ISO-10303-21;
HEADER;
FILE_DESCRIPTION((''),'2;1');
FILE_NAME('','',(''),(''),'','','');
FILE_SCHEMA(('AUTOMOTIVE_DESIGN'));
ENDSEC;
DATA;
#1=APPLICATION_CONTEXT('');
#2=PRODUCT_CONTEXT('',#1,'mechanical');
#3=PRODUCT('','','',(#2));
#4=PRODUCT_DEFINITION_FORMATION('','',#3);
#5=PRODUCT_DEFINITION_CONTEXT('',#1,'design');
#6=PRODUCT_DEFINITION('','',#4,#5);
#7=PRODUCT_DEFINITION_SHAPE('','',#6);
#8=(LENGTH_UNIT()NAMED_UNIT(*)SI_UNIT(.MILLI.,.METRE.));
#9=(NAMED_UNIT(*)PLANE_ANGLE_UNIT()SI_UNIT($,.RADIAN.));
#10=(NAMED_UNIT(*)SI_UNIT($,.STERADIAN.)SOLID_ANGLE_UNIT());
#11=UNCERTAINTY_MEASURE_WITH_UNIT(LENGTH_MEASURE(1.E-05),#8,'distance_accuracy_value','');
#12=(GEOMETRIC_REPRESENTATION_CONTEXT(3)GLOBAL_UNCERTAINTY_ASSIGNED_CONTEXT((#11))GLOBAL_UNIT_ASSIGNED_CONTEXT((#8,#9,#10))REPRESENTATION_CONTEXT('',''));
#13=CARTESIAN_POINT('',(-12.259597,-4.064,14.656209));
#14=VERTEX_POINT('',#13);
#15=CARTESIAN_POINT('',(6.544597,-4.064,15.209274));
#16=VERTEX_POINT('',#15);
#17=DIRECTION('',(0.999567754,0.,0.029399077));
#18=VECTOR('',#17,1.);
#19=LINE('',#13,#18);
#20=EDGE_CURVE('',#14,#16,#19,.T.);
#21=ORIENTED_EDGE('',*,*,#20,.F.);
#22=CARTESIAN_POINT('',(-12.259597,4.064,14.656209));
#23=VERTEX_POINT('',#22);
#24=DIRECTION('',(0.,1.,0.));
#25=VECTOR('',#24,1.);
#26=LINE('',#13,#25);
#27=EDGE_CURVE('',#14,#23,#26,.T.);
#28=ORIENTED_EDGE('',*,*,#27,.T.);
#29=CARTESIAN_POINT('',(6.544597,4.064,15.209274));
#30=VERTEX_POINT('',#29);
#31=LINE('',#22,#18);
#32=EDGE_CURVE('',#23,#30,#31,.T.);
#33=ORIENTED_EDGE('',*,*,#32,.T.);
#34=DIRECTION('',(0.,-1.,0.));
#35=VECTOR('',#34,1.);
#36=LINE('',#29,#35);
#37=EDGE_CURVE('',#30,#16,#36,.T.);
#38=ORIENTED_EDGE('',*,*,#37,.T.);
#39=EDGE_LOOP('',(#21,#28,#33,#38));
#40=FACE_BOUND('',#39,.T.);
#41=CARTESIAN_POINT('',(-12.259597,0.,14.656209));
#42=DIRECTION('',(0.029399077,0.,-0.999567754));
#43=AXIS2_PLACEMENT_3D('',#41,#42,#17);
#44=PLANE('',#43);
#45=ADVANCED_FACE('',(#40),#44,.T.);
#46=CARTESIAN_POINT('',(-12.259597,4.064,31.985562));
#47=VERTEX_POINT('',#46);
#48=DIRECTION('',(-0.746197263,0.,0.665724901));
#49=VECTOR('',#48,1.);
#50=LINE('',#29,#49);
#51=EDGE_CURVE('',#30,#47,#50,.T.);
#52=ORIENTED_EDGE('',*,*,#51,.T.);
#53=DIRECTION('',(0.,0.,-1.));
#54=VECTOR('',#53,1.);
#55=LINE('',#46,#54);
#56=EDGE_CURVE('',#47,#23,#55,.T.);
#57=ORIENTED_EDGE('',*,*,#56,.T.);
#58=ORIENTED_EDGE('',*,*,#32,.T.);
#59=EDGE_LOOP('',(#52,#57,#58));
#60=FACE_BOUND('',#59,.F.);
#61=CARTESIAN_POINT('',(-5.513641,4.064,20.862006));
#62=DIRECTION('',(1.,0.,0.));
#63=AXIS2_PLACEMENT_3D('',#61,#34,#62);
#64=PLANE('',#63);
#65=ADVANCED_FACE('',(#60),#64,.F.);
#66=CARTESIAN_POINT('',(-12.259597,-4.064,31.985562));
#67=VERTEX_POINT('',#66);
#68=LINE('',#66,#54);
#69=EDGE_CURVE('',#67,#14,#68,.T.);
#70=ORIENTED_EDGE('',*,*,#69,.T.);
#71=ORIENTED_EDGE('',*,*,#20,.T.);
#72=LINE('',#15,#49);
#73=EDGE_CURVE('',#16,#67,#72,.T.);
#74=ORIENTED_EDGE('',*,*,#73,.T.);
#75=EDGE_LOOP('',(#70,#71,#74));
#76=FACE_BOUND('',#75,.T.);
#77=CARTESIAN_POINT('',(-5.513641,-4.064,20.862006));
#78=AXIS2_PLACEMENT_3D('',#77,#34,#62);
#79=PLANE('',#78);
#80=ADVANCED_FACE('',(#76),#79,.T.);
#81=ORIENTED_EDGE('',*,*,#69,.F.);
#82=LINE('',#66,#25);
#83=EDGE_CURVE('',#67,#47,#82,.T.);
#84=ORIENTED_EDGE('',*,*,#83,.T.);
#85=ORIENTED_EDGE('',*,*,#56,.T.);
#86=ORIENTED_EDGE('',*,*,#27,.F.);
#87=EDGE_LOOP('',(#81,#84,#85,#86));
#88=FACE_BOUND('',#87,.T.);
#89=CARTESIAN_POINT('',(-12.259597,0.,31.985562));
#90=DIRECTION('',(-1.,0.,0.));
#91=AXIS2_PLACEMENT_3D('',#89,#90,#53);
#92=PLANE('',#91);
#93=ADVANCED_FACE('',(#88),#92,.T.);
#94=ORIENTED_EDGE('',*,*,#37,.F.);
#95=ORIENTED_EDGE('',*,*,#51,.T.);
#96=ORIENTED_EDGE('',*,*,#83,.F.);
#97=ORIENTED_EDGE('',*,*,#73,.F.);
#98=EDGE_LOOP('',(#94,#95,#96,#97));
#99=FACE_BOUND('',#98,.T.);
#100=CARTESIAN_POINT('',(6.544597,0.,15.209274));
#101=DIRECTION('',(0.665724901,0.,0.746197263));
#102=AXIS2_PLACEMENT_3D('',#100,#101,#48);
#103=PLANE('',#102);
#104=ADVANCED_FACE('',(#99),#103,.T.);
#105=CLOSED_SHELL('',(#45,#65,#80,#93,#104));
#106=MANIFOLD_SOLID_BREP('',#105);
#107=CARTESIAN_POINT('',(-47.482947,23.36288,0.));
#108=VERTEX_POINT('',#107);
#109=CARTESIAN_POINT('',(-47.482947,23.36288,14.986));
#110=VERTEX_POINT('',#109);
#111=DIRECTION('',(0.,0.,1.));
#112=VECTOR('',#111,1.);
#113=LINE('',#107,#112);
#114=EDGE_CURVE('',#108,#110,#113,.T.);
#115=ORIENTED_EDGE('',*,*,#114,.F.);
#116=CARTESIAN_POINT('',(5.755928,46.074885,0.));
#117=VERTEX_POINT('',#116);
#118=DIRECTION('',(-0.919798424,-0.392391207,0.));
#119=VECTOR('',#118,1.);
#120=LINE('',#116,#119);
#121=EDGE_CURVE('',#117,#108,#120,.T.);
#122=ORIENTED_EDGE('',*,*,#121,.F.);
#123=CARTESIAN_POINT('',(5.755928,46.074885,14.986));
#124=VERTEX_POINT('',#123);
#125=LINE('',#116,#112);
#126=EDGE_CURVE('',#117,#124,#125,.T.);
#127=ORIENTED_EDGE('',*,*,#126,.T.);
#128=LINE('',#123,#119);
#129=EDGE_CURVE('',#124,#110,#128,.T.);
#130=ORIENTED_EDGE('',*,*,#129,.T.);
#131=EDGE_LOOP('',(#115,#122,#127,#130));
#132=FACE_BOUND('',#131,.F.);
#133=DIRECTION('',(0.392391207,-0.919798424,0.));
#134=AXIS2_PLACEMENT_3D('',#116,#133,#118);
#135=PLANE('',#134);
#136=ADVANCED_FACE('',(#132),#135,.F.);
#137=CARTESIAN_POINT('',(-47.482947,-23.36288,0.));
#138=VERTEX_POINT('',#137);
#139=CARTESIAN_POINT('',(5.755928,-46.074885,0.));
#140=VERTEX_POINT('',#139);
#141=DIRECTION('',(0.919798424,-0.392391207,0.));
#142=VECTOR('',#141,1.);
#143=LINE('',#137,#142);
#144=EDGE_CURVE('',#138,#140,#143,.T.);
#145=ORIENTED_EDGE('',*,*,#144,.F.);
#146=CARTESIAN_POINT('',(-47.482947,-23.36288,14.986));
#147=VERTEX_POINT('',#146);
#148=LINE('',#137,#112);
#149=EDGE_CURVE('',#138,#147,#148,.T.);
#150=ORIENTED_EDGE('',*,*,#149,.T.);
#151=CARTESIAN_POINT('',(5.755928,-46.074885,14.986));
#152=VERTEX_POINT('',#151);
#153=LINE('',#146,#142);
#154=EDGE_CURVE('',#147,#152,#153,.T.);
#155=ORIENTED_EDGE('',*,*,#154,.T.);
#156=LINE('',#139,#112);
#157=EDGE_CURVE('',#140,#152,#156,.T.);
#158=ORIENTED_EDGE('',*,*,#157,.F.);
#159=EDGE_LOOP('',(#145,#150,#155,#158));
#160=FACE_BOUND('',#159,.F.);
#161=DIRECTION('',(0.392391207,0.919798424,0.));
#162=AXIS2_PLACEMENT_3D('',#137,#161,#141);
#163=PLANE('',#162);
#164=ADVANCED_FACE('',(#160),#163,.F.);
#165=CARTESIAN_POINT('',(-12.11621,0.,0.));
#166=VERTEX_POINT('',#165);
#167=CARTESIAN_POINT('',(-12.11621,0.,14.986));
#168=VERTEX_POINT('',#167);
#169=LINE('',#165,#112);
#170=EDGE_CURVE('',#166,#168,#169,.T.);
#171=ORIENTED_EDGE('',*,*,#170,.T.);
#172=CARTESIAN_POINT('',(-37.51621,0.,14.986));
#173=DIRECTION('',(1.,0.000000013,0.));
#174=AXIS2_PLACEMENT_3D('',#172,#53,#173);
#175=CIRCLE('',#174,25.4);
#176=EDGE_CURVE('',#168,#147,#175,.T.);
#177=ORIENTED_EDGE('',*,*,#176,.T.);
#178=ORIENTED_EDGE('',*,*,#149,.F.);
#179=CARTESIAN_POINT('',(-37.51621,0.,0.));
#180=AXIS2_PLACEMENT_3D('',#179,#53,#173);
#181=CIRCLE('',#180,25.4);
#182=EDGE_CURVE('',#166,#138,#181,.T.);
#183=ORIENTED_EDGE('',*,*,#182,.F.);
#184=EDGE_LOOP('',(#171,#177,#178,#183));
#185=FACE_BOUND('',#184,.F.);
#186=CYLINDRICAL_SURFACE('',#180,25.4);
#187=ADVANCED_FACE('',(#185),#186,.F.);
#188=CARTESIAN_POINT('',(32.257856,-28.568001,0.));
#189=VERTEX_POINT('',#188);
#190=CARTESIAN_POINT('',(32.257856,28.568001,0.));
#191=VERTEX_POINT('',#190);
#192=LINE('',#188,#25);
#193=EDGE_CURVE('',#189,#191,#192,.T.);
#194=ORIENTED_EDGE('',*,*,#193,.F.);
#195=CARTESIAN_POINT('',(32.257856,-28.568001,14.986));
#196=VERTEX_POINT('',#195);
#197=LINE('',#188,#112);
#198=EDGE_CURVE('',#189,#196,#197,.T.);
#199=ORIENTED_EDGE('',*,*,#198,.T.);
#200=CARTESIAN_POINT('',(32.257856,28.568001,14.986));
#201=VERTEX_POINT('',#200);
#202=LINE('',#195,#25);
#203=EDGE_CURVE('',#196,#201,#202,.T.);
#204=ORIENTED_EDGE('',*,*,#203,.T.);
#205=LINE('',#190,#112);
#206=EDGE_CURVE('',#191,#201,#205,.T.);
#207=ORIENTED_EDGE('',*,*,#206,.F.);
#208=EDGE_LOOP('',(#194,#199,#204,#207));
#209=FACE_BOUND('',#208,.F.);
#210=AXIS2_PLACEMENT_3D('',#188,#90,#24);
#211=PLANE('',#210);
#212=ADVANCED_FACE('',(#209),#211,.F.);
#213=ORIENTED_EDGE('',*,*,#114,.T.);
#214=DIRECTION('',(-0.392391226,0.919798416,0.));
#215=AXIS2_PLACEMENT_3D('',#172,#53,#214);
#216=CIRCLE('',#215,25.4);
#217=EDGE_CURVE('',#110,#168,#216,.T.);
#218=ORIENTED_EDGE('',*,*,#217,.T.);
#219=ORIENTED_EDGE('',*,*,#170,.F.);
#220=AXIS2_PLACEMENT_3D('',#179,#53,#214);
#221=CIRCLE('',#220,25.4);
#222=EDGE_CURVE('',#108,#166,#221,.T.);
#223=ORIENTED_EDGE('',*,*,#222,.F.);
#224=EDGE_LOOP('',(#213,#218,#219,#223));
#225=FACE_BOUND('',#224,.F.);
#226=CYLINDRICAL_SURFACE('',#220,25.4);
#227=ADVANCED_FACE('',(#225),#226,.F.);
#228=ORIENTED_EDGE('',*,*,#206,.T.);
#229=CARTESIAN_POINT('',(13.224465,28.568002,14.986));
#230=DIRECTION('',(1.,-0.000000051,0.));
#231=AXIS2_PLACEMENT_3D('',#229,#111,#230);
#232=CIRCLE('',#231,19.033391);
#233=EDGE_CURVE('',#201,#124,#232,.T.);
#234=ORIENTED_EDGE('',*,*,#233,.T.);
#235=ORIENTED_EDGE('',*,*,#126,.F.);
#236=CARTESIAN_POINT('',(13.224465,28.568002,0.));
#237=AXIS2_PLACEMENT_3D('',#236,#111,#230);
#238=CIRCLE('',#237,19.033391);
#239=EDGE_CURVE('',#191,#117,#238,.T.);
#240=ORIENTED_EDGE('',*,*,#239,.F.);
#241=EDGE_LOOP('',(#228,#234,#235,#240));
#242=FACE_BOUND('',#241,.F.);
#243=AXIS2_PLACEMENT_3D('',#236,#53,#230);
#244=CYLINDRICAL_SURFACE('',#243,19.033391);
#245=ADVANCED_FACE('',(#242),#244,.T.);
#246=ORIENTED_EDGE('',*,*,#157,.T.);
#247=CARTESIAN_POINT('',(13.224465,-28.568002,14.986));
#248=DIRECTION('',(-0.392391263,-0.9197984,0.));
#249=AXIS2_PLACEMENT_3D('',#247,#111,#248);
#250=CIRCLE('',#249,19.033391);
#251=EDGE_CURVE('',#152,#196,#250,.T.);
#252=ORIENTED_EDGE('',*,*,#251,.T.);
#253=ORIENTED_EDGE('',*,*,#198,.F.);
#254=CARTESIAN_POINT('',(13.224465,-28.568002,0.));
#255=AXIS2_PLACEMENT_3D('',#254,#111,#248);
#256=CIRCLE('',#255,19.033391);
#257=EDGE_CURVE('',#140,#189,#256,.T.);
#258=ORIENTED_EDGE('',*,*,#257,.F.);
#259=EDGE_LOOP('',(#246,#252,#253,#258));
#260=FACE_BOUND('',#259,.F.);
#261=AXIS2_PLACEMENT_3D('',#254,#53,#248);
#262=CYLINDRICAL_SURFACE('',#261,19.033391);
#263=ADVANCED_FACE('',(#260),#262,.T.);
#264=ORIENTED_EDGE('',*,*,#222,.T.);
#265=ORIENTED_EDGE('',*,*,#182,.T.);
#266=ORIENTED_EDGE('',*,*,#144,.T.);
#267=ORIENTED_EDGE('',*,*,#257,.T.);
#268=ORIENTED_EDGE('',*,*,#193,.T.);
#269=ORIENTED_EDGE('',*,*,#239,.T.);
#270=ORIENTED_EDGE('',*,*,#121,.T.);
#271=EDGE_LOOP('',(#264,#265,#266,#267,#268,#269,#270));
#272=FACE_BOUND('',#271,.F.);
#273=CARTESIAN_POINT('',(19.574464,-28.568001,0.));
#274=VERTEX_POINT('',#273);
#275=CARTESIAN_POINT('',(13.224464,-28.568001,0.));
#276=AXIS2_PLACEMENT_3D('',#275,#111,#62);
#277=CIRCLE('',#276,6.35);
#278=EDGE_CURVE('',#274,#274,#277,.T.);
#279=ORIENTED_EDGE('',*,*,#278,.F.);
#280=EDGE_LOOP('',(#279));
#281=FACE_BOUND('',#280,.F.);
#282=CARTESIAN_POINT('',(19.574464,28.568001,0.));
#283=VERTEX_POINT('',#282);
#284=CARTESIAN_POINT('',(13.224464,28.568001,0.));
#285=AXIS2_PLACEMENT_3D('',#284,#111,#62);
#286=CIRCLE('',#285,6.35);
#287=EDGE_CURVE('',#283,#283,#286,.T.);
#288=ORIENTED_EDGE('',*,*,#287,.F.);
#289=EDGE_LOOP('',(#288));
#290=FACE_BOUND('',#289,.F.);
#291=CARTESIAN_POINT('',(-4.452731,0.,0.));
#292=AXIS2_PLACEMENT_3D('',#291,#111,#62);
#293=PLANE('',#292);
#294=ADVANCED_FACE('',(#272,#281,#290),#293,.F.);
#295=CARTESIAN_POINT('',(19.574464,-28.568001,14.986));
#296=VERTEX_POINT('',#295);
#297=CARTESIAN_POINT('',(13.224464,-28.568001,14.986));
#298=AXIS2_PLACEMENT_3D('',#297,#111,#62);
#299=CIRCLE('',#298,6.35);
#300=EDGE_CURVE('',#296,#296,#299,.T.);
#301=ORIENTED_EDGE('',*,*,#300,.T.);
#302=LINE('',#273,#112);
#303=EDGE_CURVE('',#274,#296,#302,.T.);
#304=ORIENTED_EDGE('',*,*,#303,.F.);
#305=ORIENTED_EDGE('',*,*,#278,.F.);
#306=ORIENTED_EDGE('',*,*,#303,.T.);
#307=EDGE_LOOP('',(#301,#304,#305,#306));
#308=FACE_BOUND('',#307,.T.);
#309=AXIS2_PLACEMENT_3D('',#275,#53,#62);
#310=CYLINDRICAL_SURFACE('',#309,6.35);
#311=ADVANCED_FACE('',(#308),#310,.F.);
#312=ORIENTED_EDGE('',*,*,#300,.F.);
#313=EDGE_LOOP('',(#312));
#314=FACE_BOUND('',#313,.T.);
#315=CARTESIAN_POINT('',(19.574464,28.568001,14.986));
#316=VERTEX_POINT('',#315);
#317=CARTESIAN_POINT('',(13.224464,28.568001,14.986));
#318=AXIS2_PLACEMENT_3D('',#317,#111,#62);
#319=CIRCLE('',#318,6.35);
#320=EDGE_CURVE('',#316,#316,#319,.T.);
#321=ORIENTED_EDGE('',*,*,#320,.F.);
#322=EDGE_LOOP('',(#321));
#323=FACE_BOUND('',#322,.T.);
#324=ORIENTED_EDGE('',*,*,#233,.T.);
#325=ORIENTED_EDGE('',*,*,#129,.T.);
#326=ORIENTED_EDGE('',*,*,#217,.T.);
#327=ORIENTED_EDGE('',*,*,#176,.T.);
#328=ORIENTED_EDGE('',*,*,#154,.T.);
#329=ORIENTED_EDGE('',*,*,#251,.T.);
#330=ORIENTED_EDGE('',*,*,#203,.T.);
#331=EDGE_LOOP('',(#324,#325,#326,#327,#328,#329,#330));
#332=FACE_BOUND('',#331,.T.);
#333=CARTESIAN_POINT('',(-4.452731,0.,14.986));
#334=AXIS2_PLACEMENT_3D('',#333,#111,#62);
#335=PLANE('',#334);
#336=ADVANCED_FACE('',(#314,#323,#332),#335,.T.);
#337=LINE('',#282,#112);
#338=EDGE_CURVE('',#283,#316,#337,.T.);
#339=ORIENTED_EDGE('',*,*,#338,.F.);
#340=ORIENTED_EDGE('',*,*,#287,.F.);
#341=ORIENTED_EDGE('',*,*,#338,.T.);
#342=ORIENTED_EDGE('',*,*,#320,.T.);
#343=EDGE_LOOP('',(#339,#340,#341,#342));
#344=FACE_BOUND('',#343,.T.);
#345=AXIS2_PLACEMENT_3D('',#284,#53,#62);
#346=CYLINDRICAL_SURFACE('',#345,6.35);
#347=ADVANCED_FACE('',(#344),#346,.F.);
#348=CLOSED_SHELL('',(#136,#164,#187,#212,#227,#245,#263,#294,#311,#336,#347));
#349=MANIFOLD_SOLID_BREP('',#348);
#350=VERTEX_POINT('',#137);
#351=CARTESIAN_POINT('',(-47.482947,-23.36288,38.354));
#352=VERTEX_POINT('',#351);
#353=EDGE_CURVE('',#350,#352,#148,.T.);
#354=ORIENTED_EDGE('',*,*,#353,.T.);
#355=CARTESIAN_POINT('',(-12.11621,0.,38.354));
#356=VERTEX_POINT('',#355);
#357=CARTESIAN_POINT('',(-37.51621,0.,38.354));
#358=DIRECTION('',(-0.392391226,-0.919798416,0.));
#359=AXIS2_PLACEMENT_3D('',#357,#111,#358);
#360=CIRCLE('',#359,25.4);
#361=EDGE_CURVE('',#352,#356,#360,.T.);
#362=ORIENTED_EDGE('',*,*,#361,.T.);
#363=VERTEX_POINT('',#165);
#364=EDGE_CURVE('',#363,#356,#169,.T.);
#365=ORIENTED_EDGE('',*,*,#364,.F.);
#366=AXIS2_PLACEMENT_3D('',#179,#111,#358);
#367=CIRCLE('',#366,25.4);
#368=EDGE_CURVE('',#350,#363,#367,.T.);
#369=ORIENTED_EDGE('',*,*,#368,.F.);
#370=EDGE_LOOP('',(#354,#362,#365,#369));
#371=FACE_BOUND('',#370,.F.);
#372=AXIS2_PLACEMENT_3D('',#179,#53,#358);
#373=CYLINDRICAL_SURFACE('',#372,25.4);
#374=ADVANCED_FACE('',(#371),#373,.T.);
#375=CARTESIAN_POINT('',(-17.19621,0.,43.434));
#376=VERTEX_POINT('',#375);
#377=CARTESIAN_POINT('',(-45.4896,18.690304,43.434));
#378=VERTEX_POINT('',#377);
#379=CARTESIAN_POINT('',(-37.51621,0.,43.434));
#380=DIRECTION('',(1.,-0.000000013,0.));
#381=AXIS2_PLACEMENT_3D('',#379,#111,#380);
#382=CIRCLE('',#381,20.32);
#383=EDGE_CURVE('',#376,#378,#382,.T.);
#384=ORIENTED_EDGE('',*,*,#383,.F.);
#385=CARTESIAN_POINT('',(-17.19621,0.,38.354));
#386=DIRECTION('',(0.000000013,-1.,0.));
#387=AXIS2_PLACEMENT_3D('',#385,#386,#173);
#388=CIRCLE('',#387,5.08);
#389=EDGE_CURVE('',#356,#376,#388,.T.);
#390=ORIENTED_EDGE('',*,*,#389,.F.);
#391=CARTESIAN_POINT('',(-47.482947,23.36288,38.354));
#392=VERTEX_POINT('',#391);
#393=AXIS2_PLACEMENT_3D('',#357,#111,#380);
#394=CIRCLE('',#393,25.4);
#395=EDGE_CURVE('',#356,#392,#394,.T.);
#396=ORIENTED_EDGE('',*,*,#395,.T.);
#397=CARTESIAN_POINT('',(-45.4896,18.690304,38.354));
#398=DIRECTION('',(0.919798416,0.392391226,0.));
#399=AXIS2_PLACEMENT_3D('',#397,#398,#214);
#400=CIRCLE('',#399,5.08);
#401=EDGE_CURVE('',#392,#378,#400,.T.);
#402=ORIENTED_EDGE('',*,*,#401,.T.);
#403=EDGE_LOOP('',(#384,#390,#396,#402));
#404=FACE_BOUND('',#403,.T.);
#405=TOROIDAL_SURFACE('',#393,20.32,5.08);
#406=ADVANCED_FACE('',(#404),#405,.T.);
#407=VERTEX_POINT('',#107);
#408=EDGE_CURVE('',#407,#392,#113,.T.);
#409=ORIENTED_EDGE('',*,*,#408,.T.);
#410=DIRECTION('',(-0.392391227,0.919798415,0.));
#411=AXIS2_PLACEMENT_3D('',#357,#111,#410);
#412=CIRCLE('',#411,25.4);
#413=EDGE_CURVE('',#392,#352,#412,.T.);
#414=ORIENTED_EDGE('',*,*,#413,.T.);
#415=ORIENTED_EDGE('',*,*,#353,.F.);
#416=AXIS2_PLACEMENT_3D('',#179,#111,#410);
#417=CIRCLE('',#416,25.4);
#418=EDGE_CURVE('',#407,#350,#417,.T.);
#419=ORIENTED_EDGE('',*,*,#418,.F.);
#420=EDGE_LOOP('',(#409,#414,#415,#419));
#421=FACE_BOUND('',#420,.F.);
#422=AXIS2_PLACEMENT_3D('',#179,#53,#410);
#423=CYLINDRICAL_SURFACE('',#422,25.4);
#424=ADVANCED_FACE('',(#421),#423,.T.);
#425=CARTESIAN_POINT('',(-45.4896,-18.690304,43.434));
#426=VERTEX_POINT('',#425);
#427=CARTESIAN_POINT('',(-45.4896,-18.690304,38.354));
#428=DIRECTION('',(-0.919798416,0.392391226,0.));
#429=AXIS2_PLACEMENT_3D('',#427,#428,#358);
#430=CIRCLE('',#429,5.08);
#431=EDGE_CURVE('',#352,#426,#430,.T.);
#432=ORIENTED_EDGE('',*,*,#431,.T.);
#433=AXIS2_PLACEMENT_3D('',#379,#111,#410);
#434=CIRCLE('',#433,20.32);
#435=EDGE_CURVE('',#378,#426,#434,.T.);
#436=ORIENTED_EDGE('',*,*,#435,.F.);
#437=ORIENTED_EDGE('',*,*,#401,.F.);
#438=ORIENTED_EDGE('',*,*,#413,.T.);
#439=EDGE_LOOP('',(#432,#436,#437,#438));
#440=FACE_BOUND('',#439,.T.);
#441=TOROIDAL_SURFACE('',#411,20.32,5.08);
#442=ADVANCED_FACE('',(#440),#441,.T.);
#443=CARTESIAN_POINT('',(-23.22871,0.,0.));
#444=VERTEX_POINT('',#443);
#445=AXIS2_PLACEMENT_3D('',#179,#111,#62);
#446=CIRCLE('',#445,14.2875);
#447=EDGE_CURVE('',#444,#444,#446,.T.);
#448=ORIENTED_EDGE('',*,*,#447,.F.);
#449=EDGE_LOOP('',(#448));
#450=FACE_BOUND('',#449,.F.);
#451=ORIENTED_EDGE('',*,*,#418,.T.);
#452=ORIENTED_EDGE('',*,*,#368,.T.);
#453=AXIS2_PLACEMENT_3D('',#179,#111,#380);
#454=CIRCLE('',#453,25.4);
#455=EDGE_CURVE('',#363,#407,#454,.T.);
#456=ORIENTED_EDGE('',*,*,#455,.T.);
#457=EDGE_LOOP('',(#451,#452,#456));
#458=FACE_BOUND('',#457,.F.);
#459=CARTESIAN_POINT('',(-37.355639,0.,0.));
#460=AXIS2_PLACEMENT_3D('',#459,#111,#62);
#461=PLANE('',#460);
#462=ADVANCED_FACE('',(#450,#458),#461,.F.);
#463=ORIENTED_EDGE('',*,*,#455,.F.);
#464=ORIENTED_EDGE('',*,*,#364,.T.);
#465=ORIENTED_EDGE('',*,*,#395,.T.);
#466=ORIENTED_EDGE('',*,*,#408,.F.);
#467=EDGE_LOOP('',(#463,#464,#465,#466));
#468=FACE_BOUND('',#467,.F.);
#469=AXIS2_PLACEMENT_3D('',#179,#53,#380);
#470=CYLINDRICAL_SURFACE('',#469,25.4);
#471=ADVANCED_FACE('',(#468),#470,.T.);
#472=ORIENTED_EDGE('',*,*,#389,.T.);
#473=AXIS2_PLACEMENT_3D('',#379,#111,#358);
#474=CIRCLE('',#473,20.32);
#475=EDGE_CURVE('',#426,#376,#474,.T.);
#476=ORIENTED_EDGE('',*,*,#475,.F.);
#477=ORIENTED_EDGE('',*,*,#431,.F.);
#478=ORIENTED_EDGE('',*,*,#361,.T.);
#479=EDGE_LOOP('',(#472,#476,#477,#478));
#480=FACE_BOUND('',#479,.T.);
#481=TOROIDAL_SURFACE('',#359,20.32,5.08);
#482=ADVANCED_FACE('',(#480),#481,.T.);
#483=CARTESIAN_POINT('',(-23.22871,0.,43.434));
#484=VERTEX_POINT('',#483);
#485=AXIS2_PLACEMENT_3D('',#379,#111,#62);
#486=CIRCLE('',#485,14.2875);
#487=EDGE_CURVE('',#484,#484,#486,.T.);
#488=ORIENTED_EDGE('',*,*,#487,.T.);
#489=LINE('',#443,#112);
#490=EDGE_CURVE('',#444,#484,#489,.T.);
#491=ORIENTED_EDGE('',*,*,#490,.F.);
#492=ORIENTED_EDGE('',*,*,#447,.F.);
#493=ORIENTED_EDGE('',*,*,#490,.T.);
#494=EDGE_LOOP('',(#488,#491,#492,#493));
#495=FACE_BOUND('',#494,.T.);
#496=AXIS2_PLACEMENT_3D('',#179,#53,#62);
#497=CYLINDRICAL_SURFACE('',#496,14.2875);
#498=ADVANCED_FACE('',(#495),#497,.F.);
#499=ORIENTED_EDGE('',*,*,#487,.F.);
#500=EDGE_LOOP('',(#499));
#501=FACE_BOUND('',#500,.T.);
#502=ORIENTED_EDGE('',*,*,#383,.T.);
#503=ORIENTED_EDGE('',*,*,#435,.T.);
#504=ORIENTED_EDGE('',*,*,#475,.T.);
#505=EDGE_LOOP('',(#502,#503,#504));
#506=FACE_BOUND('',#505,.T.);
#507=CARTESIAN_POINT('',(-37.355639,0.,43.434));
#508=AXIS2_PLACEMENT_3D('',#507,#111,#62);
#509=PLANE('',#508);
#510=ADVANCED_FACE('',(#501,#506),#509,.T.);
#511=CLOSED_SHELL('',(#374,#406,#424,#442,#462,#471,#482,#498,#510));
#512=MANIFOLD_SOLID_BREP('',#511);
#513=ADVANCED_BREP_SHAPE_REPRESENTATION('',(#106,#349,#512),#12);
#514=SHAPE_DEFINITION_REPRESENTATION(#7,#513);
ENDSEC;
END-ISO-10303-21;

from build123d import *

# Parameters (mm, degrees)
F0_R     = 14.2875
F1_DEPTH = 43.434
F0_R_2   = 6.35
F3_DEPTH = 14.986
F5_DEPTH = 4.064
F6_R     = 5.08


with BuildPart() as f1:
    # F0 (on Top) → F1 (new body)
    with BuildSketch(Plane.XY):
        with BuildLine():
            ThreePointArc((-12.11621, 0), (-23.516123, 21.193338), (-47.482947, 23.36288))
            ThreePointArc((-47.482947, 23.36288), (-62.91621, 0), (-47.482947, -23.36288))
            ThreePointArc((-47.482947, -23.36288), (-23.516123, -21.193338), (-12.11621, 0))
        make_face()
        with Locations((-37.51621, 0)):
            Circle(F0_R, mode=Mode.SUBTRACT)
    extrude(amount=F1_DEPTH)

    # F6
    f6_edges = [f1.edges().sort_by_distance(p)[0] for p in [
        (-27.549474, -23.36288, 43.434),
    ]]
    fillet(f6_edges, radius=F6_R)


with BuildPart() as f3:
    # F0 (on Top) → F3 (new body)
    with BuildSketch(Plane.XY):
        with BuildLine():
            Line((32.257856, -28.568001), (32.257856, 28.568001))
            ThreePointArc((32.257856, 28.568001), (23.715376, 44.449147), (5.755928, 46.074885))
            Line((5.755928, 46.074885), (-47.482947, 23.36288))
            ThreePointArc((-47.482947, 23.36288), (-23.516123, 21.193338), (-12.11621, 0))
            ThreePointArc((-12.11621, 0), (-23.516123, -21.193338), (-47.482947, -23.36288))
            Line((-47.482947, -23.36288), (5.755928, -46.074885))
            ThreePointArc((5.755928, -46.074885), (23.715376, -44.449147), (32.257856, -28.568001))
        make_face()
        with Locations((13.224464, -28.568001)):
            Circle(F0_R_2, mode=Mode.SUBTRACT)
        with Locations((13.224464, 28.568001)):
            Circle(F0_R_2, mode=Mode.SUBTRACT)
    extrude(amount=F3_DEPTH)


with BuildPart() as f5:
    # F4 (on Front) → F5 (new body, symmetric)
    with BuildSketch(Plane.XZ):
        Polygon((-12.259597, 14.656209), (6.544597, 15.209274), (-12.259597, 31.985562), align=None)
    extrude(amount=F5_DEPTH, both=True)


solid = Compound([f1.part, f3.part, f5.part])
